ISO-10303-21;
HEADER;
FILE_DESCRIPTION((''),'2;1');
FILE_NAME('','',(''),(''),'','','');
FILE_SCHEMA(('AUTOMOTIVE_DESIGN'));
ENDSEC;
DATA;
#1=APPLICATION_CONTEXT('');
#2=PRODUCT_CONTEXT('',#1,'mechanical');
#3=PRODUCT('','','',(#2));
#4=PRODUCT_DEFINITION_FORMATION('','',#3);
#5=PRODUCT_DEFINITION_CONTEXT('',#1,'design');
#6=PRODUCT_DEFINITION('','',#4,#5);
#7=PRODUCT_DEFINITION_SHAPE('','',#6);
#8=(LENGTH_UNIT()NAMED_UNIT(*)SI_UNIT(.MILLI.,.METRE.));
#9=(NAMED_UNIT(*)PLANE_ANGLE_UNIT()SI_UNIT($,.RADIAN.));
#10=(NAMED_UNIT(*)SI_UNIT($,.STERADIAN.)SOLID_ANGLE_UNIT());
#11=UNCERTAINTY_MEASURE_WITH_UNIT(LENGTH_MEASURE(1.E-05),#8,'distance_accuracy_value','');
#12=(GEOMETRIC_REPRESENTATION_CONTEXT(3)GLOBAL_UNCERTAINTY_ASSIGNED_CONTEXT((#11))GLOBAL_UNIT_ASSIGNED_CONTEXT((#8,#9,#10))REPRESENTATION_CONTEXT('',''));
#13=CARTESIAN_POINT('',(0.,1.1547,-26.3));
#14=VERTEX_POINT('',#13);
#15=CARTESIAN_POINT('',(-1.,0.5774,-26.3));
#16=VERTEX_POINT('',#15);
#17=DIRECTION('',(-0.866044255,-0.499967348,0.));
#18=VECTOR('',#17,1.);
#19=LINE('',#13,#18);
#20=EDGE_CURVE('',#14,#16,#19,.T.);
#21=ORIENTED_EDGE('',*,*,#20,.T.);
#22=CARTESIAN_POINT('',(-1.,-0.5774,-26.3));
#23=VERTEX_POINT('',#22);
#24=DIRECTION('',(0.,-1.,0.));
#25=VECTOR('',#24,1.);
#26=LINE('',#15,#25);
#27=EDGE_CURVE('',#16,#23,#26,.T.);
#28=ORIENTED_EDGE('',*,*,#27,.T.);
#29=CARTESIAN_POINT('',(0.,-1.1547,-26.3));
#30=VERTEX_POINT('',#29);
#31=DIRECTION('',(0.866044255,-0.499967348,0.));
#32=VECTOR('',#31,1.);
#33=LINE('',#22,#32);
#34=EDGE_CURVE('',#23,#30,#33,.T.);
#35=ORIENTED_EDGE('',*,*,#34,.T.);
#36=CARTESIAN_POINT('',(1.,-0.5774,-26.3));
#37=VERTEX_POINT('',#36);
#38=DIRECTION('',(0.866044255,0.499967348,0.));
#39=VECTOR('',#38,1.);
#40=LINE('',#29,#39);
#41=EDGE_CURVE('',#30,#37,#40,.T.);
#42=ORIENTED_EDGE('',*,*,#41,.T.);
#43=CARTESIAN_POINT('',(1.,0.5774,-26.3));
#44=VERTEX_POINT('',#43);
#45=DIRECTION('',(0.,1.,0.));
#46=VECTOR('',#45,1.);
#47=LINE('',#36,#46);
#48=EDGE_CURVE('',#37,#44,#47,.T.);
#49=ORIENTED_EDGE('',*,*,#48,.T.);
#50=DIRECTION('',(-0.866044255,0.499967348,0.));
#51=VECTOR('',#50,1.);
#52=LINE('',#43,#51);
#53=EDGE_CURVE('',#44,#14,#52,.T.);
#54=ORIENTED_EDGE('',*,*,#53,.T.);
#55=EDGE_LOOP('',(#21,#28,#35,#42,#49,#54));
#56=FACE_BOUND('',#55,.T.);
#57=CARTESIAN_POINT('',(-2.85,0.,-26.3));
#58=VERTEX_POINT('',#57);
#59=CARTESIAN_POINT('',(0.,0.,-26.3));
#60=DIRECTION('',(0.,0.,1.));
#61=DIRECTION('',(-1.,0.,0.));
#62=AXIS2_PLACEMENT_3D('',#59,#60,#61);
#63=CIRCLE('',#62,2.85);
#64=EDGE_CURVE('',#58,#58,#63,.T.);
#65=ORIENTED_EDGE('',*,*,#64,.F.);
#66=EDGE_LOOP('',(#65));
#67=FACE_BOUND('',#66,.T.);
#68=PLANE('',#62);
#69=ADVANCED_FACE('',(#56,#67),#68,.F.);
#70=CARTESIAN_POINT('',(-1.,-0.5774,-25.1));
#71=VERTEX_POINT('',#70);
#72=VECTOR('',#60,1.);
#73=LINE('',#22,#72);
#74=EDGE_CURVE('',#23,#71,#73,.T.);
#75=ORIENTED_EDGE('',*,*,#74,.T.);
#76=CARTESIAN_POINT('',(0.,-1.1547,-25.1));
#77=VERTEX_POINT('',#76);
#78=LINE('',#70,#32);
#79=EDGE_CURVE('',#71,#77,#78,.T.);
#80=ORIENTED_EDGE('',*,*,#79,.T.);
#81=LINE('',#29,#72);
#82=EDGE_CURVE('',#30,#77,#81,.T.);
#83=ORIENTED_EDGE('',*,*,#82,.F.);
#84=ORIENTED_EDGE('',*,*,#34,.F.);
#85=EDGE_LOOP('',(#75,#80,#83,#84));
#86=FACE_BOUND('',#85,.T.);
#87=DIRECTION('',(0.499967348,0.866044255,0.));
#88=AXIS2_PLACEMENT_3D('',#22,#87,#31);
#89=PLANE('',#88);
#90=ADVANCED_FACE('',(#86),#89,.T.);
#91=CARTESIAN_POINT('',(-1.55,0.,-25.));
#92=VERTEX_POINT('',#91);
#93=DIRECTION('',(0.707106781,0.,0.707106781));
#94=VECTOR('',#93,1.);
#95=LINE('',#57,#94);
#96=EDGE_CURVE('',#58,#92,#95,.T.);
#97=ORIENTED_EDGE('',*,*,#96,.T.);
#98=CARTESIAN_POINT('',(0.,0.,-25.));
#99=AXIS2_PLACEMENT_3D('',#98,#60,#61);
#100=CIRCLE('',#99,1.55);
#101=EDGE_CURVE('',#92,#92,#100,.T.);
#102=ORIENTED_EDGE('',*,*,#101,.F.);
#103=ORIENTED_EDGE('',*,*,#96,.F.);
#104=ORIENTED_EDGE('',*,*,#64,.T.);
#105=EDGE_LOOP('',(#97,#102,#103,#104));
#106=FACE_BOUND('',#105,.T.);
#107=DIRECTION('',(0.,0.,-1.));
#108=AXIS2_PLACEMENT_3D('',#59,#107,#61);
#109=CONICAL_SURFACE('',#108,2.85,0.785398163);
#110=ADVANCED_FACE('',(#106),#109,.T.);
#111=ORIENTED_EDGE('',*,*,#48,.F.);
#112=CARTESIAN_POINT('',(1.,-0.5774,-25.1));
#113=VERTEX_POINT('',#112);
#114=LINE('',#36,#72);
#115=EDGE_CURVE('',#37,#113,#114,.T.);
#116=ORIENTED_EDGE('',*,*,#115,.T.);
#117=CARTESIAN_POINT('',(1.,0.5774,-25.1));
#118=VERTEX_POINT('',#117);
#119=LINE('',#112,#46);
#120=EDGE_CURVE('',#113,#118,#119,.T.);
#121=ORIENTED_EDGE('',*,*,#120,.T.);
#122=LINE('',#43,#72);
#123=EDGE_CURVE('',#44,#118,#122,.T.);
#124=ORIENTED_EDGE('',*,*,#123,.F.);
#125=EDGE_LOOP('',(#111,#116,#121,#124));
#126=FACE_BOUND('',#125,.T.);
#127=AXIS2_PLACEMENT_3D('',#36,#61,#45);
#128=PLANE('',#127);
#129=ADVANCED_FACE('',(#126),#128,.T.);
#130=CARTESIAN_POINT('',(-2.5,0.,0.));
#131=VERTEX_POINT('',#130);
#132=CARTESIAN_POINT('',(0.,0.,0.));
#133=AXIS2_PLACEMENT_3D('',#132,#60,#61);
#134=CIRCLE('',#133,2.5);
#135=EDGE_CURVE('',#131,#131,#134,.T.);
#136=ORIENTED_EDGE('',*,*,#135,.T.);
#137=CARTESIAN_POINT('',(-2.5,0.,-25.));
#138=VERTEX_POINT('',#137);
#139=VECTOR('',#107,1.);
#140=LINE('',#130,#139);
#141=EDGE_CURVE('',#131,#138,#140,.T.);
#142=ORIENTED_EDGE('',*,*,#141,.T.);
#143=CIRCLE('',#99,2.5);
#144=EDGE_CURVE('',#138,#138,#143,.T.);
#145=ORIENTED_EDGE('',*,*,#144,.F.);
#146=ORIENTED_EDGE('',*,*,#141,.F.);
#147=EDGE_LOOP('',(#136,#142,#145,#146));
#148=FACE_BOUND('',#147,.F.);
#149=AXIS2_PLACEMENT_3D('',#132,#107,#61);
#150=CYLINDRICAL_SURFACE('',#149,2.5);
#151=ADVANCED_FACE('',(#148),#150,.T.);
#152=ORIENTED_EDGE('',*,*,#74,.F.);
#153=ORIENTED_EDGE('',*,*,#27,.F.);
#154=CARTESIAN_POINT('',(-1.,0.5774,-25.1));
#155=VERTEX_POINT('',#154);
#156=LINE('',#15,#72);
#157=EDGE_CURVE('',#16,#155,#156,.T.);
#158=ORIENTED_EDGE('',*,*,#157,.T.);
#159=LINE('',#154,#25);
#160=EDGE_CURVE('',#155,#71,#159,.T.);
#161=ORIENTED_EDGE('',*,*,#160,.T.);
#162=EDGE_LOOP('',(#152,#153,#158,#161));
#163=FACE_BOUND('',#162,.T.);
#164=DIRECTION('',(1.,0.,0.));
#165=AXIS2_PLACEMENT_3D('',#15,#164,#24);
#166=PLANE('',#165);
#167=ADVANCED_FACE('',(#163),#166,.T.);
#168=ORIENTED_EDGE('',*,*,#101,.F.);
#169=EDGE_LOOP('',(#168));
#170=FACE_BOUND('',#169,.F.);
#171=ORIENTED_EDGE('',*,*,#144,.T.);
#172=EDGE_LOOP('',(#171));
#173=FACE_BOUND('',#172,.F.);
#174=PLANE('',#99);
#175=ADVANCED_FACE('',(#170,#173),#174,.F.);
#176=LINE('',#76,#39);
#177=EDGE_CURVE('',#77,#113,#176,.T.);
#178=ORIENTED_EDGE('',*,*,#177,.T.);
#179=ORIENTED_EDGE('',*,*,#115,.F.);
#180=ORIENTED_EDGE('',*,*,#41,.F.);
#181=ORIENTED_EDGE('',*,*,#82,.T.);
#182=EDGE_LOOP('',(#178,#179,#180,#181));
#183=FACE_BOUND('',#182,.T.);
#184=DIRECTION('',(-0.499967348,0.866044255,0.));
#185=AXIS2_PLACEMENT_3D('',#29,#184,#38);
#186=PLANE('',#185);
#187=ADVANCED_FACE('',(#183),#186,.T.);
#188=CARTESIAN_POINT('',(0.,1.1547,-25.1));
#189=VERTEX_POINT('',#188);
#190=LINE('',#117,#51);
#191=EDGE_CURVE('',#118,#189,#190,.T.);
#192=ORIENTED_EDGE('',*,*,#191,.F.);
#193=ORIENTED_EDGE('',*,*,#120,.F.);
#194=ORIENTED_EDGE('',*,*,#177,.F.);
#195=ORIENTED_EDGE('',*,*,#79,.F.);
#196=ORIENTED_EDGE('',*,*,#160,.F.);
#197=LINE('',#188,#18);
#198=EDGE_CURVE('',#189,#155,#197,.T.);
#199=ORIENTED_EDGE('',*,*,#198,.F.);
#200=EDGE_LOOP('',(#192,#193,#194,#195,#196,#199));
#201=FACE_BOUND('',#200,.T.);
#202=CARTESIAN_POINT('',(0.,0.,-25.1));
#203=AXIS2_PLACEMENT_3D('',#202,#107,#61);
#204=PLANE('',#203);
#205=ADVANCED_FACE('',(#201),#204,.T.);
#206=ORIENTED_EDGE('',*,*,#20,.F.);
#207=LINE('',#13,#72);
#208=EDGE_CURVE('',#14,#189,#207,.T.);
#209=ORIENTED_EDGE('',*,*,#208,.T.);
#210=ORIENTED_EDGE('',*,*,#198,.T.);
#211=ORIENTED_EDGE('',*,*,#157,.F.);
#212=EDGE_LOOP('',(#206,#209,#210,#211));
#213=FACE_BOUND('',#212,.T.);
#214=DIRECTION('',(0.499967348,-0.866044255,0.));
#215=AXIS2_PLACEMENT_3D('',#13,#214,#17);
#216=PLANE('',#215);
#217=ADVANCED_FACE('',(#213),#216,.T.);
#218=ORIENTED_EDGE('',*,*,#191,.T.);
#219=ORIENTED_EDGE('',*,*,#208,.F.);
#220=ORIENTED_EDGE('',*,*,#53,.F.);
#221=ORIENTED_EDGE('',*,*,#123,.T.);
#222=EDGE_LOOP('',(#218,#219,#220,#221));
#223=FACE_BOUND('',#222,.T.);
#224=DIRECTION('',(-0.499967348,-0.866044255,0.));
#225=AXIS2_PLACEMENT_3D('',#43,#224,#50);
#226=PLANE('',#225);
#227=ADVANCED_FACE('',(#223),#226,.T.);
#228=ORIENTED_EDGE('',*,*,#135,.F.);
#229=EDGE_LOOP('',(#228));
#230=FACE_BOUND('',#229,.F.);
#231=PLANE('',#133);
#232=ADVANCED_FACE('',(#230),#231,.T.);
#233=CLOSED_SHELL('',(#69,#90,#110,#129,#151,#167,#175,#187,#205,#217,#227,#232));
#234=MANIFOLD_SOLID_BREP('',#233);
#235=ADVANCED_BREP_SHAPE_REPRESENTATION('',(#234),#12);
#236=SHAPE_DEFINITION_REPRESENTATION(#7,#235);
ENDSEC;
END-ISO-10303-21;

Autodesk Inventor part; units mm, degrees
ref_plane "YZ Plane" through (0, 0, 0) normal (1, 0, 0) x (0, 1, 0)
ref_plane "XZ Plane" through (0, 0, 0) normal (0, 1, 0) x (-1, 0, 0)
ref_plane "XY Plane" through (0, 0, 0) normal (0, 0, 1) x (1, 0, 0)
sketch "Sketch1" plane through (0, 0, 0) normal (0, 1, 0) x (-1, 0, 0)
  line L0 (0, 0) -> (2.5, 0)
  line L1 (2.5, 0) -> (2.5, -25)
  line L2 (2.5, -25) -> (0, -25)
  line L3 (0, -25) -> (0, 0)
  line L4 (0, -25) -> (2.775, -25)
  line L5 (0, -26.3) -> (2.85, -26.3)
  line L6 (2.85, -26.3) -> (1.55, -25)
  line L7 (2.85, -26.3) -> (4.6885, -26.3) construction
  line L8 (0, -26.3) -> (0, -25)
  dimension "d1" = 25
  dimension "d2" = 2.775
  dimension "d20" = 2.85
  dimension "d21" = 1.3
  dimension "d22" = 135
revolve "Revolution1" add sketch "Sketch1" angle 360 about axis through (0, 0, -25) along (0, 0, 1)
sketch "Sketch4" plane through (0, 0, -26.3) normal (0, 0, -1) x (-1, 0, 0)
  circle A0 centre (0, 0) radius 1.55 projected
  line L0 (0, 1.1547) -> (1, 0.5774)
  line L1 (1, 0.5774) -> (1, -0.5774)
  line L2 (1, -0.5774) -> (0, -1.1547)
  line L3 (0, -1.1547) -> (-1, -0.5774)
  line L4 (-1, -0.5774) -> (-1, 0.5774)
  line L5 (-1, 0.5774) -> (0, 1.1547)
  dimension "d23" = 2
extrude "Extrusion2" cut sketch "Sketch4" against normal blind 1.2 contours L0 L1 L2 L3 L4 L5
properties part number "m3 spacer bolt combo"
